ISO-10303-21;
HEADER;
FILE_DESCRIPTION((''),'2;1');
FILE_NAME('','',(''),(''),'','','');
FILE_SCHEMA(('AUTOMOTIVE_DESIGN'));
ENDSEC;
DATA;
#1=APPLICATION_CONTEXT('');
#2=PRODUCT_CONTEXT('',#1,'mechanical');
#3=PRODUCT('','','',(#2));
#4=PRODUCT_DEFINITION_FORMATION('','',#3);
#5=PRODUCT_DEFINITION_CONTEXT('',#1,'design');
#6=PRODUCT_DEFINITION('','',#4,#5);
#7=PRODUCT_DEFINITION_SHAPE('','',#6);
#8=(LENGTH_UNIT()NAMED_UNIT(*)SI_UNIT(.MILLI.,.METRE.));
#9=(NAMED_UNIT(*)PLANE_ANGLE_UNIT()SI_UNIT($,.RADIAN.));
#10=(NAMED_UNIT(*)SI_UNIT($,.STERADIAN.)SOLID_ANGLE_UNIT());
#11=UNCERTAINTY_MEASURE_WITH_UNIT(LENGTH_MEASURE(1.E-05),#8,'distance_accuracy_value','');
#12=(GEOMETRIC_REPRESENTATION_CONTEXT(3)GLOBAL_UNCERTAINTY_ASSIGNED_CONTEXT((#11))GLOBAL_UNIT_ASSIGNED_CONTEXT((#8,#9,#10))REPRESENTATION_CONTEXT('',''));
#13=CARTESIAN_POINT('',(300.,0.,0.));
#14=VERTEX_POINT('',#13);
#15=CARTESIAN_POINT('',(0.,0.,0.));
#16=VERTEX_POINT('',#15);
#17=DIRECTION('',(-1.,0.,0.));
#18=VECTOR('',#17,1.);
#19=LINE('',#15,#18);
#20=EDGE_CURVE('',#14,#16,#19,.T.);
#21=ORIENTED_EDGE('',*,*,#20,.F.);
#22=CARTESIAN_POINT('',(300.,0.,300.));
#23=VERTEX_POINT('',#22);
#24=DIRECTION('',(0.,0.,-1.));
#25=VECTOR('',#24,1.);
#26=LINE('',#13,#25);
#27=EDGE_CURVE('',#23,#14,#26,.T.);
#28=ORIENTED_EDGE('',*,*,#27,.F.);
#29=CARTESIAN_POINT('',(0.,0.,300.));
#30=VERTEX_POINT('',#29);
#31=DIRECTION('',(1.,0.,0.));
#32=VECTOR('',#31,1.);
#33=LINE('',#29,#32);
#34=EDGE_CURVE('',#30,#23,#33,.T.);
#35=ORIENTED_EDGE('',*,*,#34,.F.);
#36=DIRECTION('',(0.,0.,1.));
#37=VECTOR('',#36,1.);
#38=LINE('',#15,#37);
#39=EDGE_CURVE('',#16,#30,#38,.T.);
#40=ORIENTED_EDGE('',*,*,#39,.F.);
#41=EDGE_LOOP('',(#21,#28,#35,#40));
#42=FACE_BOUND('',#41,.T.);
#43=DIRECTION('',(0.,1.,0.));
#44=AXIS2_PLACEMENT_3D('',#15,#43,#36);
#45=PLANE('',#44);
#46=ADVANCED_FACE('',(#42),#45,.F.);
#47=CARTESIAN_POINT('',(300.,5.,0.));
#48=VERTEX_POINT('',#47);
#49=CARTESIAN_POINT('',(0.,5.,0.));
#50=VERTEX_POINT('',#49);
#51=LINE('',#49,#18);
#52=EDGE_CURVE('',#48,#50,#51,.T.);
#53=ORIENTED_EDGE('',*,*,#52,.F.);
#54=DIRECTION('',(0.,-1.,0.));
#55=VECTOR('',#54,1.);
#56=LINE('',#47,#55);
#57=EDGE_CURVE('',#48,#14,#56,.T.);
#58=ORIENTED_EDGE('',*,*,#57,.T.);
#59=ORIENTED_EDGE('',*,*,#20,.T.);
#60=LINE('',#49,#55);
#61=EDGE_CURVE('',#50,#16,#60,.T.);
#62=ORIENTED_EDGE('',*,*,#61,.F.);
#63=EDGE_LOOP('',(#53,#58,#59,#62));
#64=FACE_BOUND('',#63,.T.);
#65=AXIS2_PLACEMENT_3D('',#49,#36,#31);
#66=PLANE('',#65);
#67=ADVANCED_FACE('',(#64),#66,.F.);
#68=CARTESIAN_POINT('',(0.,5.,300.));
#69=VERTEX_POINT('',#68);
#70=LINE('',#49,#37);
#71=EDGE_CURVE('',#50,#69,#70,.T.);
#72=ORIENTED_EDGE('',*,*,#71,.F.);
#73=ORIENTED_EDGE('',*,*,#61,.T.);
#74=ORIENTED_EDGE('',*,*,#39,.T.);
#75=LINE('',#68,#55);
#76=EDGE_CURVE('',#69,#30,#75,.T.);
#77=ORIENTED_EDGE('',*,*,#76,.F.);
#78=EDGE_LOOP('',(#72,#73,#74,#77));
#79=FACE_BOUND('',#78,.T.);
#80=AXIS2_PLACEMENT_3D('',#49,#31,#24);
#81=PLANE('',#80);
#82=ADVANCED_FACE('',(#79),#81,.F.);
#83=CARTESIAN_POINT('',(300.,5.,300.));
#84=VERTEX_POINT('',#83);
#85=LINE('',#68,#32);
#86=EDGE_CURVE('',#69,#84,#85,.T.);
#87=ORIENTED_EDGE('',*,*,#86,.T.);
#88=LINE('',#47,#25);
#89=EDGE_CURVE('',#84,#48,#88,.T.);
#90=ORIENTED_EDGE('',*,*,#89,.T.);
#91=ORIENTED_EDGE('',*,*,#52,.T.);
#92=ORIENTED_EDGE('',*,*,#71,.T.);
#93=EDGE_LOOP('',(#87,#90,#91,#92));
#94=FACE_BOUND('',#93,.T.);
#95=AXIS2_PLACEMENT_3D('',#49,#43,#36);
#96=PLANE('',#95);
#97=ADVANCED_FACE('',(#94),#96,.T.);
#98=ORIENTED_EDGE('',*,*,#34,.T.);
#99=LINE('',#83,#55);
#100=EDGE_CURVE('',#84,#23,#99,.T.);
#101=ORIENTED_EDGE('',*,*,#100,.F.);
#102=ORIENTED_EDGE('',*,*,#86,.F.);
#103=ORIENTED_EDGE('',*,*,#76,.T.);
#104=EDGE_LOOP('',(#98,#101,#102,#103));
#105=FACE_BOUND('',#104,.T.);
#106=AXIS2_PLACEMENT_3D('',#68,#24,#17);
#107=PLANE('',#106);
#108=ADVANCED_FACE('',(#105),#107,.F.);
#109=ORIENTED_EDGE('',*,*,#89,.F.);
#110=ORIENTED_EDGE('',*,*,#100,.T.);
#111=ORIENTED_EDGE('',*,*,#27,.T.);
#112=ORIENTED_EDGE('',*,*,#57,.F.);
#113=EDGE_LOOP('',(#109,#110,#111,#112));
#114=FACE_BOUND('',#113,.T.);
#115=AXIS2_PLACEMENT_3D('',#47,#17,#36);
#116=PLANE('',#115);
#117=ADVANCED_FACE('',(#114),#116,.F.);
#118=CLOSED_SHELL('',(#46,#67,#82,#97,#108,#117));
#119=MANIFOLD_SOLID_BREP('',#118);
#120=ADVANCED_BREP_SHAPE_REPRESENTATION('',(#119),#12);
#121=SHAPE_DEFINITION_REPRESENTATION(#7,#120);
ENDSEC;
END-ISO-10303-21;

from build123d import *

# Parameters (mm, degrees)
SKETCH_1_W      = 300
SKETCH_1_H      = 300
EXTRUDE_1_DEPTH = 5


with BuildPart() as part:
    # Эскиз1 → Бобышка-Вытянуть1 (new body)
    with BuildSketch(Plane(origin=(0, 0, 0), x_dir=(1, 0, 0), z_dir=(0, 1, 0))):
        with Locations((150, -150)):
            Rectangle(SKETCH_1_W, SKETCH_1_H)
    extrude(amount=EXTRUDE_1_DEPTH)


solid = part.part
